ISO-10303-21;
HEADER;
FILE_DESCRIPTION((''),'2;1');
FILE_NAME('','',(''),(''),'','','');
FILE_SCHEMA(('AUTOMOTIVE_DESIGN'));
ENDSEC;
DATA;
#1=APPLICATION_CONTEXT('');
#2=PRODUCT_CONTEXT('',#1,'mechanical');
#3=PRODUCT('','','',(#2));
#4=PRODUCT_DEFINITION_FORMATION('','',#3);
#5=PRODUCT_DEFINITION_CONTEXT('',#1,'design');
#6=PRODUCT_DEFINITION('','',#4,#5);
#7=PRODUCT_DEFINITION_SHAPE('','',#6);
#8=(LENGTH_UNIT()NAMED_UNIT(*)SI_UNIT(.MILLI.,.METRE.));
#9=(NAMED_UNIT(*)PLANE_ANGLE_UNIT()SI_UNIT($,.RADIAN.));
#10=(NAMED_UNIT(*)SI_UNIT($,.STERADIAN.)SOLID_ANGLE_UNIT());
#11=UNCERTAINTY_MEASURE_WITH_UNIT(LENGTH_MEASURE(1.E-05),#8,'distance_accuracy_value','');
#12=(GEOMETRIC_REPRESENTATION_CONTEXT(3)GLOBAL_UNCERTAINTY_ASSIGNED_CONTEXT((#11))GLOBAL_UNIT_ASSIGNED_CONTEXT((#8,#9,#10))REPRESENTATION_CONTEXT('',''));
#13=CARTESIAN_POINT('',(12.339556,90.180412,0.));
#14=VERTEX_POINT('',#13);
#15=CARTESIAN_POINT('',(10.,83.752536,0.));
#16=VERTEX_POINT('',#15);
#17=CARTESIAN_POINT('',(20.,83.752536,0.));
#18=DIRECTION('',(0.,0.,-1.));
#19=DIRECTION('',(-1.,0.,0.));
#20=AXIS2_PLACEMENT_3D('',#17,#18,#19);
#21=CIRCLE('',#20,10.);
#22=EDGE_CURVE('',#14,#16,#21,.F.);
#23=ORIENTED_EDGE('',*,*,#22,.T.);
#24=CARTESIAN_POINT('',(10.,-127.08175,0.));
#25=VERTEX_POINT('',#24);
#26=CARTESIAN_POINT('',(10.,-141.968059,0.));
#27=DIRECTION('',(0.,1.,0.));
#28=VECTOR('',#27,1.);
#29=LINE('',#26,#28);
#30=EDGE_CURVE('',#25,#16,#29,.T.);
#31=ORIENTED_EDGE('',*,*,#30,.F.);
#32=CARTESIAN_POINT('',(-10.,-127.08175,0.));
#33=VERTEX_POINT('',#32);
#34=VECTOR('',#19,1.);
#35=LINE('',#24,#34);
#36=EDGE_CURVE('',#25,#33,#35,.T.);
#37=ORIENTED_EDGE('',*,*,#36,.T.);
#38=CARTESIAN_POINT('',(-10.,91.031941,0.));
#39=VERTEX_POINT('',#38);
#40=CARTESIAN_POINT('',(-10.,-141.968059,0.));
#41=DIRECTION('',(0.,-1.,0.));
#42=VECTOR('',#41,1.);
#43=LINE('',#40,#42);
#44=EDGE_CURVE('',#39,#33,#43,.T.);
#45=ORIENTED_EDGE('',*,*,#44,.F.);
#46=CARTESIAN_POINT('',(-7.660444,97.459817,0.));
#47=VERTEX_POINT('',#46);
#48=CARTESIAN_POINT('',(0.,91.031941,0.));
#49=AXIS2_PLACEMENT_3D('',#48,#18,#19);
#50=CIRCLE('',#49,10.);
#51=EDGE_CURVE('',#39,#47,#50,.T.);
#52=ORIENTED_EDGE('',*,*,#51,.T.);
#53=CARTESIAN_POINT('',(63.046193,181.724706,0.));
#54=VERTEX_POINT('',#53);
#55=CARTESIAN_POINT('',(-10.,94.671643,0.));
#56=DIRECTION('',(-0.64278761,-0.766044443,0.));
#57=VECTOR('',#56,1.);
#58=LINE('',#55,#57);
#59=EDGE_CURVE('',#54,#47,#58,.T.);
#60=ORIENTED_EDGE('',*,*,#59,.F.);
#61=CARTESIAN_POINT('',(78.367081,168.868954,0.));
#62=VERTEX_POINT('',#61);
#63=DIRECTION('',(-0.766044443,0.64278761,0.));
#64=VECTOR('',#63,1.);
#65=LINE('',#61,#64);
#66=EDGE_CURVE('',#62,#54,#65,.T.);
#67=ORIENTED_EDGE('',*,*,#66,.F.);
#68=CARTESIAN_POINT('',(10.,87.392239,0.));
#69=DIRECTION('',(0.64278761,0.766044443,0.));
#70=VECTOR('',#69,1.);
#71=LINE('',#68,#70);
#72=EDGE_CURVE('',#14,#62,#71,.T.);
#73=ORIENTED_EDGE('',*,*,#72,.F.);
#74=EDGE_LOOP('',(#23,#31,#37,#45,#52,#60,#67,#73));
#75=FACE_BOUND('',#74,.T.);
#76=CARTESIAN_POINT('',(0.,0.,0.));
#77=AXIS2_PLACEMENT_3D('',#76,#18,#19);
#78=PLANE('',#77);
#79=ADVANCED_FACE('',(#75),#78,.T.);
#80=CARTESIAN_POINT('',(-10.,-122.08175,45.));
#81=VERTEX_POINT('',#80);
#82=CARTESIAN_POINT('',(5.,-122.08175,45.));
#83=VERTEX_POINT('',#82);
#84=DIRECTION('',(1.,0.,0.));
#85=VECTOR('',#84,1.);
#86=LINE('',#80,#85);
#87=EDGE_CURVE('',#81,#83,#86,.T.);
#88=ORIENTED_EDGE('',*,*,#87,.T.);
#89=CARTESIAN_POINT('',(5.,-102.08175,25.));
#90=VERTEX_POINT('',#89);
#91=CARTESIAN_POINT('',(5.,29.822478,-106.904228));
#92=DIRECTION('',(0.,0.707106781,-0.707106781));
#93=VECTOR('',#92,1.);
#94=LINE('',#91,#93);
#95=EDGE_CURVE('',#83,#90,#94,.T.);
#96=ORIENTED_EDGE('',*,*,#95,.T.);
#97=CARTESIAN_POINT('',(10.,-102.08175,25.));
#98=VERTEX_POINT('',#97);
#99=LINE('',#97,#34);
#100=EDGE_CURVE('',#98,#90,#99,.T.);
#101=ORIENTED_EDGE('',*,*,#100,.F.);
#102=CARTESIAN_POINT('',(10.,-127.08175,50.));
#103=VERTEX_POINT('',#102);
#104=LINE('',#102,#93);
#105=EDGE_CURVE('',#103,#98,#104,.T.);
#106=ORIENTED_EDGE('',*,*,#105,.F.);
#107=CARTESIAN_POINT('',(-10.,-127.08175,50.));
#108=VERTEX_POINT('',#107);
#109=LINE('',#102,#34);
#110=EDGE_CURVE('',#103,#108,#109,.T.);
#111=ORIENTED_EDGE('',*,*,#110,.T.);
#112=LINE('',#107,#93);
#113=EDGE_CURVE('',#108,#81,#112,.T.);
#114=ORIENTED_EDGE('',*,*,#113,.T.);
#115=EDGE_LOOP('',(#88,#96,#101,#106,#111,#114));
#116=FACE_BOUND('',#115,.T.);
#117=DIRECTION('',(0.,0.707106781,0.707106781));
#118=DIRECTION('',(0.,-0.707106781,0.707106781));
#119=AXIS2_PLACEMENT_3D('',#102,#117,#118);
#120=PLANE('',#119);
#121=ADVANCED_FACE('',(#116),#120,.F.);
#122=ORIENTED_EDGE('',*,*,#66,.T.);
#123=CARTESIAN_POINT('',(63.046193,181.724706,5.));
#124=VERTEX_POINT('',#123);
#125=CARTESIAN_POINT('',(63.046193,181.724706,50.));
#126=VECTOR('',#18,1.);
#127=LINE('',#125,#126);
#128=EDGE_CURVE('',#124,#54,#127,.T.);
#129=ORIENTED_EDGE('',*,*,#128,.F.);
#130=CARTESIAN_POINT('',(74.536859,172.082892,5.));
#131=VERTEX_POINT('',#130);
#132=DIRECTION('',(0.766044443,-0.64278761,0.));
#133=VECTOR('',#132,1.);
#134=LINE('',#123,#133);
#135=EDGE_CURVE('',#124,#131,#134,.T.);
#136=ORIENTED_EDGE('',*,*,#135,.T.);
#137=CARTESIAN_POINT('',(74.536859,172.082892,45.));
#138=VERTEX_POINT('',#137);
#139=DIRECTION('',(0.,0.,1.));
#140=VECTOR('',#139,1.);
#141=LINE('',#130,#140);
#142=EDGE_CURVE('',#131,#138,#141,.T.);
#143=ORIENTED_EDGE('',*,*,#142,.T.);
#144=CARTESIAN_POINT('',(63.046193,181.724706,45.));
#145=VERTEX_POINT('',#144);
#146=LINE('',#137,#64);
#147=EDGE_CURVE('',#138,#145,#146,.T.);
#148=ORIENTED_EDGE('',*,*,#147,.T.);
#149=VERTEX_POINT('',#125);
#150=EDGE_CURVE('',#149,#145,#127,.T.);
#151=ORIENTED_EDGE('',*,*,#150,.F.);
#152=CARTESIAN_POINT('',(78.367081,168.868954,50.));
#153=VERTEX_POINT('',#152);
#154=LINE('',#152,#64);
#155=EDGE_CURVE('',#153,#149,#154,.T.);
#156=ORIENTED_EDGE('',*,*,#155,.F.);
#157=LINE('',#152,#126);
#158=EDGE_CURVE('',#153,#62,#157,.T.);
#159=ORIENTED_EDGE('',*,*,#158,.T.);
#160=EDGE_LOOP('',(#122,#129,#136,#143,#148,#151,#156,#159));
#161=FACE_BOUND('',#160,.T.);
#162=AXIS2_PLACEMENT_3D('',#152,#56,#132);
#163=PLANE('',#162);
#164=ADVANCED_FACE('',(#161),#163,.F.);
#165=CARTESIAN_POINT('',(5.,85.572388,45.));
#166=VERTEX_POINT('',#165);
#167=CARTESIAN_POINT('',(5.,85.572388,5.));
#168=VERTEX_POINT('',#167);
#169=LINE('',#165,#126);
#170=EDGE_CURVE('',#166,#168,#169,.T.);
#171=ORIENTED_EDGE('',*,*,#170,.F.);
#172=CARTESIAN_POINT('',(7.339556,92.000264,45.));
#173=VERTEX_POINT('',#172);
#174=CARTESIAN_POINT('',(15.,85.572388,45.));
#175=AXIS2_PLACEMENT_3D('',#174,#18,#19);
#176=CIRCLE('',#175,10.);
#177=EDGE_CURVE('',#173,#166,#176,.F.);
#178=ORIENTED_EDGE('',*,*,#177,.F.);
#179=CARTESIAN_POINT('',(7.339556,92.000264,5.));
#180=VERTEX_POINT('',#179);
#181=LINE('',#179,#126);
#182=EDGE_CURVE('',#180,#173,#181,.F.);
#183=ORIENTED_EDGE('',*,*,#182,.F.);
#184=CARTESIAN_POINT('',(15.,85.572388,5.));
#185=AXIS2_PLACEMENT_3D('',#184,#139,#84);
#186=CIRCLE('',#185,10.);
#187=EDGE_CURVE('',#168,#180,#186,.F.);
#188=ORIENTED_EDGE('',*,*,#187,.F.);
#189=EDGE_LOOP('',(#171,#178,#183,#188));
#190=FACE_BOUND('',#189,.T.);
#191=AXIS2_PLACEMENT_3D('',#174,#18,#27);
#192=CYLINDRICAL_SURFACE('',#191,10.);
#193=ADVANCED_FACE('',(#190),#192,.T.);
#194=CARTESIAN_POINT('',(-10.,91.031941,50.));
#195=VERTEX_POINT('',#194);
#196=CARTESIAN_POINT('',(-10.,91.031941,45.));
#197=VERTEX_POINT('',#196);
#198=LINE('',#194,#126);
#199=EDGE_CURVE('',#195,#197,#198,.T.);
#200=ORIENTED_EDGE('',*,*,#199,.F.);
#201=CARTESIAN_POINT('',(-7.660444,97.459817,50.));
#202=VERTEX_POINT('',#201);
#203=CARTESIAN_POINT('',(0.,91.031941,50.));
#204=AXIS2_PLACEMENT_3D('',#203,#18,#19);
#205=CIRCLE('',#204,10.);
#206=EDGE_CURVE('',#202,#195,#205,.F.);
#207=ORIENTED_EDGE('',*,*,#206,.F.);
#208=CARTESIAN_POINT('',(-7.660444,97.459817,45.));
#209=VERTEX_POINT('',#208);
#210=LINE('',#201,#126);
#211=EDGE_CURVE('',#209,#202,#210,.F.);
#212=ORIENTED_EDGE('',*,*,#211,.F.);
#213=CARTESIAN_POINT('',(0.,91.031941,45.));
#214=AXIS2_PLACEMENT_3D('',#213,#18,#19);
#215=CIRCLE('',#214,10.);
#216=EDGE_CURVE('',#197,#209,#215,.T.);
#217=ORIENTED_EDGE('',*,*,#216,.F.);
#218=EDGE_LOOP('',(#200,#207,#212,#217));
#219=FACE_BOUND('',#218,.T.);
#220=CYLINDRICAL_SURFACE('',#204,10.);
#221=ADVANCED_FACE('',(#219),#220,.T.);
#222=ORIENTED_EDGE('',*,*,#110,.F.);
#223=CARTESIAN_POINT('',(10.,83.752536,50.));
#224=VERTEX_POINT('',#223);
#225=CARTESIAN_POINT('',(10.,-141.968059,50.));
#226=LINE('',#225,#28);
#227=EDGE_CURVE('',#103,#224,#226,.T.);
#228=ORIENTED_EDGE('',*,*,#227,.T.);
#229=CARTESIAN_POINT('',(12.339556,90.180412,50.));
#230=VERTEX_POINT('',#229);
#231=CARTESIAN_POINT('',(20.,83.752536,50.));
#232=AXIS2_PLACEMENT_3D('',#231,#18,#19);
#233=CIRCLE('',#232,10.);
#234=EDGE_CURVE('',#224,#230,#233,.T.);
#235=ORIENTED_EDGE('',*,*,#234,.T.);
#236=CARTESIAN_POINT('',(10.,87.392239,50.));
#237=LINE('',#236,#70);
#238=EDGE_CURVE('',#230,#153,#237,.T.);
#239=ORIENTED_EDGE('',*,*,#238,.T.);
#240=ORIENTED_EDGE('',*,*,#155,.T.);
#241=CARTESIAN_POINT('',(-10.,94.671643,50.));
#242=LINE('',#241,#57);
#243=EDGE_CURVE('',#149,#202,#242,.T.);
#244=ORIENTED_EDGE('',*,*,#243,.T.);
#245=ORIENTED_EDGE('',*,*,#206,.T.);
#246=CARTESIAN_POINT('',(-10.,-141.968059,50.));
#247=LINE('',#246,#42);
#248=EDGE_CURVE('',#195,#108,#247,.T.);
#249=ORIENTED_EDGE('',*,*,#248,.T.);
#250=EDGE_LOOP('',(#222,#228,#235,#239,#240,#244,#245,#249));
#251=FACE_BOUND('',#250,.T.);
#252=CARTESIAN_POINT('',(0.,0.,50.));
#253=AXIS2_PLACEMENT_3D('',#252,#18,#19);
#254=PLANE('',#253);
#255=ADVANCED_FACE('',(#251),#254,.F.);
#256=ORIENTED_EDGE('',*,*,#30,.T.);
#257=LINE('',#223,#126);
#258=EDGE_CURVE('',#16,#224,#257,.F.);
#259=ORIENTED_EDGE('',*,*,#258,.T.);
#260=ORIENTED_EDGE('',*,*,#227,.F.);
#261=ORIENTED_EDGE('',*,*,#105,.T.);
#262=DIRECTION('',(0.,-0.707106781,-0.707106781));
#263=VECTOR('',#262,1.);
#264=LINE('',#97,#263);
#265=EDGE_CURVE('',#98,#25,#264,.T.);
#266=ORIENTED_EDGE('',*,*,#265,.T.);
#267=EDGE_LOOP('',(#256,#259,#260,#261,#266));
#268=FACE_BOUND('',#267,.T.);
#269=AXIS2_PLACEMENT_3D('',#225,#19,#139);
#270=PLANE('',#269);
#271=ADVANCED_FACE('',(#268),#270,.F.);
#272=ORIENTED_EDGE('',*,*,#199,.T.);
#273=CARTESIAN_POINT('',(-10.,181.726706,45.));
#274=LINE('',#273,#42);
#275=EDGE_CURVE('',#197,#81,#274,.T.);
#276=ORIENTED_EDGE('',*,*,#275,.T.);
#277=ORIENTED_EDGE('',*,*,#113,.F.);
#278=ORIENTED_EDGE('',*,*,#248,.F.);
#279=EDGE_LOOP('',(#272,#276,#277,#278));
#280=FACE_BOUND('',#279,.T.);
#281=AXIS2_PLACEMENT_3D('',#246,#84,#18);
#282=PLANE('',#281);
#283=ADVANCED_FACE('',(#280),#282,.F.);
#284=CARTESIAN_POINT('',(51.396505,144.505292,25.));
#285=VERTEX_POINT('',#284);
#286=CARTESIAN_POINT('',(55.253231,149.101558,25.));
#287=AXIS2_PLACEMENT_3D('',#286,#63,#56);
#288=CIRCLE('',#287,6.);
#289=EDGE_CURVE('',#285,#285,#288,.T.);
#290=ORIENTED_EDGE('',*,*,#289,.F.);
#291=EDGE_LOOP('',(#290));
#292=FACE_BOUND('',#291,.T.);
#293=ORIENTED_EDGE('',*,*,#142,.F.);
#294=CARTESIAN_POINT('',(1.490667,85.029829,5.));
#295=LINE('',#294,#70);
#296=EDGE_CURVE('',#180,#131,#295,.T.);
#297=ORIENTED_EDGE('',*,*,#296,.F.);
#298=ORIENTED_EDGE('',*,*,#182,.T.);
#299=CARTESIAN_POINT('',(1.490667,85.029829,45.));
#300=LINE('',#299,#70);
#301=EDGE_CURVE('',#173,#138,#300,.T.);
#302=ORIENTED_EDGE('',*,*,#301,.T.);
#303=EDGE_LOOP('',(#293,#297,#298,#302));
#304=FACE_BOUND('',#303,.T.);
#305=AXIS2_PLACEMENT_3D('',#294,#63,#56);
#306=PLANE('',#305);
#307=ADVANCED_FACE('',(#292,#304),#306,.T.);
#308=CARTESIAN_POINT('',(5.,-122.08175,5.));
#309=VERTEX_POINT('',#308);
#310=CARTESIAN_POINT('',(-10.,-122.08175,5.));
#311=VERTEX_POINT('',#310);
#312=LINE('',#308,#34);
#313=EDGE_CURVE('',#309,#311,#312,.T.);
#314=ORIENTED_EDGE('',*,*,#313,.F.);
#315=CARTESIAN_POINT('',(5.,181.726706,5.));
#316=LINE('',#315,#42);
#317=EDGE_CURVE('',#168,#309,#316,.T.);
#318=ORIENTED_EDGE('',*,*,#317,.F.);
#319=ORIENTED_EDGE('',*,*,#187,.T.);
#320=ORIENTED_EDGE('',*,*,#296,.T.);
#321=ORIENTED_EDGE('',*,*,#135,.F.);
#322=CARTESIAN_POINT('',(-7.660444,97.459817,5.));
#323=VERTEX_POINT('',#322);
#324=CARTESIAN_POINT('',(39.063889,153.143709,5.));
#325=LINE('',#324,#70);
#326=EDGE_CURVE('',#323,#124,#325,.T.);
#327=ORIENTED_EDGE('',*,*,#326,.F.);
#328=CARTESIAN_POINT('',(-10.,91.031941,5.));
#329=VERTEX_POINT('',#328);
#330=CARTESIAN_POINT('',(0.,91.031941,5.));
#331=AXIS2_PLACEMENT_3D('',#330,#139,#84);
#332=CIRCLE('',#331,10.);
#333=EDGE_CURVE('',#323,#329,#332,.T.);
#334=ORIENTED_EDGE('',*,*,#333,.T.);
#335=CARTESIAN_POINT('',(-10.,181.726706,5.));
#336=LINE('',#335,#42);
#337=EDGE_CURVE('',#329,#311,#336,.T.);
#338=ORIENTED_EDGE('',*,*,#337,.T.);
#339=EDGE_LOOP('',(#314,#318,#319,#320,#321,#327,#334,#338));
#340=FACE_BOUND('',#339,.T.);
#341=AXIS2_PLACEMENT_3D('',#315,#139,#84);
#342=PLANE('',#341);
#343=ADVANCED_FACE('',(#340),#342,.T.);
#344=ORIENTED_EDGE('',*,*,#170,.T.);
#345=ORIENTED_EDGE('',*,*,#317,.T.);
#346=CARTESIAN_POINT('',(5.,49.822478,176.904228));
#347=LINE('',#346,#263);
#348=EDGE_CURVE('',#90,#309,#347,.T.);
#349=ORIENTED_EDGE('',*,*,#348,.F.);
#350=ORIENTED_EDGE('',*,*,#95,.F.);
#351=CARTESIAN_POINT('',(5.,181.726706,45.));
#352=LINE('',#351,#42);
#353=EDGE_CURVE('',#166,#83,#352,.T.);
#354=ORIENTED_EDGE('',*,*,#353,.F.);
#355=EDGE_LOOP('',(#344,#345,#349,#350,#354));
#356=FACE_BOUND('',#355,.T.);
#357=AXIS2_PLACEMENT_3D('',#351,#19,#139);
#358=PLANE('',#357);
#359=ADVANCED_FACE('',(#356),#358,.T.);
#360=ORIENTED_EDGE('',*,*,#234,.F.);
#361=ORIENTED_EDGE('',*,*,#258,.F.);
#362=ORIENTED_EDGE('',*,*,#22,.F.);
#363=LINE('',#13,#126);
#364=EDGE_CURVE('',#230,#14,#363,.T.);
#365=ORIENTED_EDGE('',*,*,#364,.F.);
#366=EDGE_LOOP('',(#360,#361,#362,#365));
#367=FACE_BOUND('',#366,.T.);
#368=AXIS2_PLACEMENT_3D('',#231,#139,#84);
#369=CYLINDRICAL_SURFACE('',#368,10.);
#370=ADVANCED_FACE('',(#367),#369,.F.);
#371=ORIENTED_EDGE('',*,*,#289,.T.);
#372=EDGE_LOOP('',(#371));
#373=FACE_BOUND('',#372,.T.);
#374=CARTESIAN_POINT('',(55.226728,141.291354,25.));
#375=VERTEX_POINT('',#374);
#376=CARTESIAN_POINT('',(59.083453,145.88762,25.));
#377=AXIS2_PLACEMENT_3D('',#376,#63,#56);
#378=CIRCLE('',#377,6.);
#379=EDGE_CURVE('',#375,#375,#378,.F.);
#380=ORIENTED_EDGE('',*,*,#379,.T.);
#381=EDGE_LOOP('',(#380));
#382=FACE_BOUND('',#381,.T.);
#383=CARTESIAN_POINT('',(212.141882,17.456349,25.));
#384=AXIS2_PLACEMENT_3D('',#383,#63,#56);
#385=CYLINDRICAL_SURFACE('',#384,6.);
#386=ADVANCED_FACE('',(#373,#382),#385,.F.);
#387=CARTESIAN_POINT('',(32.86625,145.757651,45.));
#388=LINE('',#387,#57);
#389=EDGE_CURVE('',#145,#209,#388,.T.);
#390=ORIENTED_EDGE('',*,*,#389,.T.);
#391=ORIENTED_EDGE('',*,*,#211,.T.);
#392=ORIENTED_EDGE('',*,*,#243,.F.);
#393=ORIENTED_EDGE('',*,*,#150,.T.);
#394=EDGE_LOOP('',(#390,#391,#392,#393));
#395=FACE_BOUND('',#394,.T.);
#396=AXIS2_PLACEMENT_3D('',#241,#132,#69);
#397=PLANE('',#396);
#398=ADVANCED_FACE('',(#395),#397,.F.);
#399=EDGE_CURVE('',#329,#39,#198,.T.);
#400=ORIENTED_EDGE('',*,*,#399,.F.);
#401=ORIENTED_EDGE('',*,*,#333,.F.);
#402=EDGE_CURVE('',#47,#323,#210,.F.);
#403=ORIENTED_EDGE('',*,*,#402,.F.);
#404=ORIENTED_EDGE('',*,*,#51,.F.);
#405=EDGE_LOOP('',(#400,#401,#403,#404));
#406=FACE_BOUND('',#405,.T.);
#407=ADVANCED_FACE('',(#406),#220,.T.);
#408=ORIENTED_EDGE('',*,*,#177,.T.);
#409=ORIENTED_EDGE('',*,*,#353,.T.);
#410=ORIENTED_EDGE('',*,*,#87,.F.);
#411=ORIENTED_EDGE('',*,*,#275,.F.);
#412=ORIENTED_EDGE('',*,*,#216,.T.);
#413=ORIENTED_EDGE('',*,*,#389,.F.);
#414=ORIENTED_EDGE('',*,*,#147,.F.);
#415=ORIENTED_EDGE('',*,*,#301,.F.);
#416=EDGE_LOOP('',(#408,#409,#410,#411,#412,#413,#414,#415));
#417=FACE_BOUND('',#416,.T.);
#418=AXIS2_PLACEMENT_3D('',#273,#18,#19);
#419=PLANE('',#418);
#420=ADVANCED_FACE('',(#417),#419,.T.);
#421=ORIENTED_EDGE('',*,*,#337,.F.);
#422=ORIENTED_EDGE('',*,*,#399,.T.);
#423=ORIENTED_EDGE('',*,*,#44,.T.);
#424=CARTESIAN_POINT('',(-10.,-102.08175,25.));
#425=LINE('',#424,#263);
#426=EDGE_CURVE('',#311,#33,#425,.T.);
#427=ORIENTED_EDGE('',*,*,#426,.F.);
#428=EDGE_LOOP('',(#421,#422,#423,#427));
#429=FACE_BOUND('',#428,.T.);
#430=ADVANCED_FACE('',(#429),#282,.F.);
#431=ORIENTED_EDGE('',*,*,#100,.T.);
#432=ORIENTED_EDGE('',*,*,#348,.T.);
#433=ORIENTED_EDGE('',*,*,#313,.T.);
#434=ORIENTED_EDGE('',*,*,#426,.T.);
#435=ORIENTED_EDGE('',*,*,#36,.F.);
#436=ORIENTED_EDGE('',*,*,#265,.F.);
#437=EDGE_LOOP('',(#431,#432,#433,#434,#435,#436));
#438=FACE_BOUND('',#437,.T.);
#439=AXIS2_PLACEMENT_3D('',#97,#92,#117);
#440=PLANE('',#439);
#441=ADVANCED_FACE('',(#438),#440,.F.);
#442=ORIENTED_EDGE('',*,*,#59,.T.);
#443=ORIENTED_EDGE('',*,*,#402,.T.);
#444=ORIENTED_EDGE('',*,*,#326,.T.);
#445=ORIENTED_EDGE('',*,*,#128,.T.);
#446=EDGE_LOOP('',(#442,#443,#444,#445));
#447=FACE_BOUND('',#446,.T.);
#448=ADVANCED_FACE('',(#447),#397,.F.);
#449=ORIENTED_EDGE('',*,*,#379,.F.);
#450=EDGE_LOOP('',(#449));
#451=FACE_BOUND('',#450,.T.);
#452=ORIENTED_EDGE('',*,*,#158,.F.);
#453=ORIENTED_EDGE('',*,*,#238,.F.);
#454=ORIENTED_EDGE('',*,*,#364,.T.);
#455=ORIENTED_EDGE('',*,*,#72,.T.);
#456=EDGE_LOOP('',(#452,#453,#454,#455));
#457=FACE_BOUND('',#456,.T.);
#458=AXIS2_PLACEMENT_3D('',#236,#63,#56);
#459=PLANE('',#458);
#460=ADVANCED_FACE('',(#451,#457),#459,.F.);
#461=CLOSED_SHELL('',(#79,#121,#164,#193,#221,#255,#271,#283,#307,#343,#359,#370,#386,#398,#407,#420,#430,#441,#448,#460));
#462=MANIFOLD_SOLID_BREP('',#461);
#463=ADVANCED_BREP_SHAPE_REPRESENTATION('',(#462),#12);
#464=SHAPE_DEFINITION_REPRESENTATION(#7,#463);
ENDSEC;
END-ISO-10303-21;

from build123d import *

# Parameters (mm, degrees)
BOSS_EXTRUDE1_DEPTH = 50
CUT_EXTRUDE1_REACH  = 338.776
SKETCH2_W           = 15
SKETCH2_H           = 40
CUT_EXTRUDE2_REACH  = 312.586
SKETCH3_W           = 15
SKETCH3_H           = 40
FILLET1_R           = 10
CUT_EXTRUDE3_REACH  = 210.165
CUT_EXTRUDE8_REACH  = 220.751
SKETCH7_R           = 6
CUT_EXTRUDE9_START  = -20
CUT_EXTRUDE9_DEPTH  = 20


with BuildPart() as part:
    # Sketch1 → Boss-Extrude1 (new body)
    with BuildSketch(Plane.XY):
        Polygon((10, -141.968058968), (10, 87.392238689), (78.367081497, 168.868953678), (63.046192634, 181.724705872), (-10, 94.671643375), (-10, -141.968058968), align=None)
    extrude(amount=BOSS_EXTRUDE1_DEPTH)

    # Cut-Extrude1: up to this plane
    cut_extrude1_end = Plane(origin=(-10, 94.671643375, 50), z_dir=(0.7660444431189772, -0.6427876096865403, 0))
    # Sketch2 → Cut-Extrude1 (cut, up to the surface)
    with BuildSketch(Plane.XZ.offset(141.968058968), mode=Mode.PRIVATE) as cut_extrude1_sk1:
        with Locations((-2.5, 25)):
            Rectangle(SKETCH2_W, SKETCH2_H)
    cut_extrude1_tool1 = split(extrude(cut_extrude1_sk1.sketch, amount=-CUT_EXTRUDE1_REACH, mode=Mode.PRIVATE), bisect_by=cut_extrude1_end, keep=Keep.BOTH, mode=Mode.PRIVATE)
    add(cut_extrude1_tool1.solids().sort_by_distance((-2.5, -141.968059, 25))[0], mode=Mode.SUBTRACT)

    # Cut-Extrude2: up to this plane
    cut_extrude2_end = Plane(origin=(5, 181.726705872, 45), z_dir=(-1, 0, 0))
    # Sketch3 → Cut-Extrude2 (cut, up to the surface)
    with BuildSketch(Plane(origin=(115.531117716, 137.684624594, 0), x_dir=(0.766044443118977, -0.6427876096865407, 0), z_dir=(0.6427876096865407, 0.766044443118977, 0)), mode=Mode.PRIVATE) as cut_extrude2_sk1:
        with Locations((-61.014203781, -25)):
            Rectangle(SKETCH3_W, SKETCH3_H)
    cut_extrude2_tool1 = split(extrude(cut_extrude2_sk1.sketch, amount=-CUT_EXTRUDE2_REACH, mode=Mode.PRIVATE), bisect_by=cut_extrude2_end, keep=Keep.BOTH, mode=Mode.PRIVATE)
    add(cut_extrude2_tool1.solids().sort_by_distance((68.791526, 176.903799, 25))[0], mode=Mode.SUBTRACT)

    # Fillet1
    fillet1_edges = [part.edges().sort_by_distance(p)[0] for p in [
        (-10, 94.671643375, 47.5),
        (10, 87.392238689, 25),
        (-10, 94.671643375, 2.5),
        (5, 89.212089861, 25),
    ]]
    fillet(fillet1_edges, radius=FILLET1_R)

    # Sketch4 → Cut-Extrude3 (cut, up to next)
    with BuildSketch(Plane.ZY.offset(10), mode=Mode.PRIVATE) as cut_extrude3_sk1:
        Polygon((0, -141.968058968), (25, -102.081750499), (50, -141.968058968), align=None)
    cut_extrude3_tool1 = extrude(cut_extrude3_sk1.sketch, amount=-CUT_EXTRUDE3_REACH, mode=Mode.PRIVATE) & part.part
    add(cut_extrude3_tool1.solids().sort_by_distance((-10, -128.672623, 25))[0], mode=Mode.SUBTRACT)

    # Sketch7 → Cut-Extrude8 (cut, up to next)
    with BuildSketch(Plane(origin=(-40.994258434, 34.398267133, 0), x_dir=(0, 0, 1), z_dir=(-0.766044443118977, 0.6427876096865406, 0)), mode=Mode.PRIVATE) as cut_extrude8_sk1:
        with Locations(Location((25, 149.734512574, 0), (0, 0, 270))):
            Circle(SKETCH7_R)
    cut_extrude8_tool1 = extrude(cut_extrude8_sk1.sketch, amount=-CUT_EXTRUDE8_REACH, mode=Mode.PRIVATE) & part.part
    add(cut_extrude8_tool1.solids().sort_by_distance((55.253231, 149.101558, 25))[0], mode=Mode.SUBTRACT)

    # Sketch10 → Cut-Extrude9 (cut)
    with BuildSketch(Plane.ZY.offset(10).offset(CUT_EXTRUDE9_START)):
        Polygon((50, -127.0817505), (25, -102.081750499), (0, -127.081750499), (0, -141.968058968), (50, -141.968058968), align=None)
    extrude(amount=CUT_EXTRUDE9_DEPTH, mode=Mode.SUBTRACT)


solid = part.part
